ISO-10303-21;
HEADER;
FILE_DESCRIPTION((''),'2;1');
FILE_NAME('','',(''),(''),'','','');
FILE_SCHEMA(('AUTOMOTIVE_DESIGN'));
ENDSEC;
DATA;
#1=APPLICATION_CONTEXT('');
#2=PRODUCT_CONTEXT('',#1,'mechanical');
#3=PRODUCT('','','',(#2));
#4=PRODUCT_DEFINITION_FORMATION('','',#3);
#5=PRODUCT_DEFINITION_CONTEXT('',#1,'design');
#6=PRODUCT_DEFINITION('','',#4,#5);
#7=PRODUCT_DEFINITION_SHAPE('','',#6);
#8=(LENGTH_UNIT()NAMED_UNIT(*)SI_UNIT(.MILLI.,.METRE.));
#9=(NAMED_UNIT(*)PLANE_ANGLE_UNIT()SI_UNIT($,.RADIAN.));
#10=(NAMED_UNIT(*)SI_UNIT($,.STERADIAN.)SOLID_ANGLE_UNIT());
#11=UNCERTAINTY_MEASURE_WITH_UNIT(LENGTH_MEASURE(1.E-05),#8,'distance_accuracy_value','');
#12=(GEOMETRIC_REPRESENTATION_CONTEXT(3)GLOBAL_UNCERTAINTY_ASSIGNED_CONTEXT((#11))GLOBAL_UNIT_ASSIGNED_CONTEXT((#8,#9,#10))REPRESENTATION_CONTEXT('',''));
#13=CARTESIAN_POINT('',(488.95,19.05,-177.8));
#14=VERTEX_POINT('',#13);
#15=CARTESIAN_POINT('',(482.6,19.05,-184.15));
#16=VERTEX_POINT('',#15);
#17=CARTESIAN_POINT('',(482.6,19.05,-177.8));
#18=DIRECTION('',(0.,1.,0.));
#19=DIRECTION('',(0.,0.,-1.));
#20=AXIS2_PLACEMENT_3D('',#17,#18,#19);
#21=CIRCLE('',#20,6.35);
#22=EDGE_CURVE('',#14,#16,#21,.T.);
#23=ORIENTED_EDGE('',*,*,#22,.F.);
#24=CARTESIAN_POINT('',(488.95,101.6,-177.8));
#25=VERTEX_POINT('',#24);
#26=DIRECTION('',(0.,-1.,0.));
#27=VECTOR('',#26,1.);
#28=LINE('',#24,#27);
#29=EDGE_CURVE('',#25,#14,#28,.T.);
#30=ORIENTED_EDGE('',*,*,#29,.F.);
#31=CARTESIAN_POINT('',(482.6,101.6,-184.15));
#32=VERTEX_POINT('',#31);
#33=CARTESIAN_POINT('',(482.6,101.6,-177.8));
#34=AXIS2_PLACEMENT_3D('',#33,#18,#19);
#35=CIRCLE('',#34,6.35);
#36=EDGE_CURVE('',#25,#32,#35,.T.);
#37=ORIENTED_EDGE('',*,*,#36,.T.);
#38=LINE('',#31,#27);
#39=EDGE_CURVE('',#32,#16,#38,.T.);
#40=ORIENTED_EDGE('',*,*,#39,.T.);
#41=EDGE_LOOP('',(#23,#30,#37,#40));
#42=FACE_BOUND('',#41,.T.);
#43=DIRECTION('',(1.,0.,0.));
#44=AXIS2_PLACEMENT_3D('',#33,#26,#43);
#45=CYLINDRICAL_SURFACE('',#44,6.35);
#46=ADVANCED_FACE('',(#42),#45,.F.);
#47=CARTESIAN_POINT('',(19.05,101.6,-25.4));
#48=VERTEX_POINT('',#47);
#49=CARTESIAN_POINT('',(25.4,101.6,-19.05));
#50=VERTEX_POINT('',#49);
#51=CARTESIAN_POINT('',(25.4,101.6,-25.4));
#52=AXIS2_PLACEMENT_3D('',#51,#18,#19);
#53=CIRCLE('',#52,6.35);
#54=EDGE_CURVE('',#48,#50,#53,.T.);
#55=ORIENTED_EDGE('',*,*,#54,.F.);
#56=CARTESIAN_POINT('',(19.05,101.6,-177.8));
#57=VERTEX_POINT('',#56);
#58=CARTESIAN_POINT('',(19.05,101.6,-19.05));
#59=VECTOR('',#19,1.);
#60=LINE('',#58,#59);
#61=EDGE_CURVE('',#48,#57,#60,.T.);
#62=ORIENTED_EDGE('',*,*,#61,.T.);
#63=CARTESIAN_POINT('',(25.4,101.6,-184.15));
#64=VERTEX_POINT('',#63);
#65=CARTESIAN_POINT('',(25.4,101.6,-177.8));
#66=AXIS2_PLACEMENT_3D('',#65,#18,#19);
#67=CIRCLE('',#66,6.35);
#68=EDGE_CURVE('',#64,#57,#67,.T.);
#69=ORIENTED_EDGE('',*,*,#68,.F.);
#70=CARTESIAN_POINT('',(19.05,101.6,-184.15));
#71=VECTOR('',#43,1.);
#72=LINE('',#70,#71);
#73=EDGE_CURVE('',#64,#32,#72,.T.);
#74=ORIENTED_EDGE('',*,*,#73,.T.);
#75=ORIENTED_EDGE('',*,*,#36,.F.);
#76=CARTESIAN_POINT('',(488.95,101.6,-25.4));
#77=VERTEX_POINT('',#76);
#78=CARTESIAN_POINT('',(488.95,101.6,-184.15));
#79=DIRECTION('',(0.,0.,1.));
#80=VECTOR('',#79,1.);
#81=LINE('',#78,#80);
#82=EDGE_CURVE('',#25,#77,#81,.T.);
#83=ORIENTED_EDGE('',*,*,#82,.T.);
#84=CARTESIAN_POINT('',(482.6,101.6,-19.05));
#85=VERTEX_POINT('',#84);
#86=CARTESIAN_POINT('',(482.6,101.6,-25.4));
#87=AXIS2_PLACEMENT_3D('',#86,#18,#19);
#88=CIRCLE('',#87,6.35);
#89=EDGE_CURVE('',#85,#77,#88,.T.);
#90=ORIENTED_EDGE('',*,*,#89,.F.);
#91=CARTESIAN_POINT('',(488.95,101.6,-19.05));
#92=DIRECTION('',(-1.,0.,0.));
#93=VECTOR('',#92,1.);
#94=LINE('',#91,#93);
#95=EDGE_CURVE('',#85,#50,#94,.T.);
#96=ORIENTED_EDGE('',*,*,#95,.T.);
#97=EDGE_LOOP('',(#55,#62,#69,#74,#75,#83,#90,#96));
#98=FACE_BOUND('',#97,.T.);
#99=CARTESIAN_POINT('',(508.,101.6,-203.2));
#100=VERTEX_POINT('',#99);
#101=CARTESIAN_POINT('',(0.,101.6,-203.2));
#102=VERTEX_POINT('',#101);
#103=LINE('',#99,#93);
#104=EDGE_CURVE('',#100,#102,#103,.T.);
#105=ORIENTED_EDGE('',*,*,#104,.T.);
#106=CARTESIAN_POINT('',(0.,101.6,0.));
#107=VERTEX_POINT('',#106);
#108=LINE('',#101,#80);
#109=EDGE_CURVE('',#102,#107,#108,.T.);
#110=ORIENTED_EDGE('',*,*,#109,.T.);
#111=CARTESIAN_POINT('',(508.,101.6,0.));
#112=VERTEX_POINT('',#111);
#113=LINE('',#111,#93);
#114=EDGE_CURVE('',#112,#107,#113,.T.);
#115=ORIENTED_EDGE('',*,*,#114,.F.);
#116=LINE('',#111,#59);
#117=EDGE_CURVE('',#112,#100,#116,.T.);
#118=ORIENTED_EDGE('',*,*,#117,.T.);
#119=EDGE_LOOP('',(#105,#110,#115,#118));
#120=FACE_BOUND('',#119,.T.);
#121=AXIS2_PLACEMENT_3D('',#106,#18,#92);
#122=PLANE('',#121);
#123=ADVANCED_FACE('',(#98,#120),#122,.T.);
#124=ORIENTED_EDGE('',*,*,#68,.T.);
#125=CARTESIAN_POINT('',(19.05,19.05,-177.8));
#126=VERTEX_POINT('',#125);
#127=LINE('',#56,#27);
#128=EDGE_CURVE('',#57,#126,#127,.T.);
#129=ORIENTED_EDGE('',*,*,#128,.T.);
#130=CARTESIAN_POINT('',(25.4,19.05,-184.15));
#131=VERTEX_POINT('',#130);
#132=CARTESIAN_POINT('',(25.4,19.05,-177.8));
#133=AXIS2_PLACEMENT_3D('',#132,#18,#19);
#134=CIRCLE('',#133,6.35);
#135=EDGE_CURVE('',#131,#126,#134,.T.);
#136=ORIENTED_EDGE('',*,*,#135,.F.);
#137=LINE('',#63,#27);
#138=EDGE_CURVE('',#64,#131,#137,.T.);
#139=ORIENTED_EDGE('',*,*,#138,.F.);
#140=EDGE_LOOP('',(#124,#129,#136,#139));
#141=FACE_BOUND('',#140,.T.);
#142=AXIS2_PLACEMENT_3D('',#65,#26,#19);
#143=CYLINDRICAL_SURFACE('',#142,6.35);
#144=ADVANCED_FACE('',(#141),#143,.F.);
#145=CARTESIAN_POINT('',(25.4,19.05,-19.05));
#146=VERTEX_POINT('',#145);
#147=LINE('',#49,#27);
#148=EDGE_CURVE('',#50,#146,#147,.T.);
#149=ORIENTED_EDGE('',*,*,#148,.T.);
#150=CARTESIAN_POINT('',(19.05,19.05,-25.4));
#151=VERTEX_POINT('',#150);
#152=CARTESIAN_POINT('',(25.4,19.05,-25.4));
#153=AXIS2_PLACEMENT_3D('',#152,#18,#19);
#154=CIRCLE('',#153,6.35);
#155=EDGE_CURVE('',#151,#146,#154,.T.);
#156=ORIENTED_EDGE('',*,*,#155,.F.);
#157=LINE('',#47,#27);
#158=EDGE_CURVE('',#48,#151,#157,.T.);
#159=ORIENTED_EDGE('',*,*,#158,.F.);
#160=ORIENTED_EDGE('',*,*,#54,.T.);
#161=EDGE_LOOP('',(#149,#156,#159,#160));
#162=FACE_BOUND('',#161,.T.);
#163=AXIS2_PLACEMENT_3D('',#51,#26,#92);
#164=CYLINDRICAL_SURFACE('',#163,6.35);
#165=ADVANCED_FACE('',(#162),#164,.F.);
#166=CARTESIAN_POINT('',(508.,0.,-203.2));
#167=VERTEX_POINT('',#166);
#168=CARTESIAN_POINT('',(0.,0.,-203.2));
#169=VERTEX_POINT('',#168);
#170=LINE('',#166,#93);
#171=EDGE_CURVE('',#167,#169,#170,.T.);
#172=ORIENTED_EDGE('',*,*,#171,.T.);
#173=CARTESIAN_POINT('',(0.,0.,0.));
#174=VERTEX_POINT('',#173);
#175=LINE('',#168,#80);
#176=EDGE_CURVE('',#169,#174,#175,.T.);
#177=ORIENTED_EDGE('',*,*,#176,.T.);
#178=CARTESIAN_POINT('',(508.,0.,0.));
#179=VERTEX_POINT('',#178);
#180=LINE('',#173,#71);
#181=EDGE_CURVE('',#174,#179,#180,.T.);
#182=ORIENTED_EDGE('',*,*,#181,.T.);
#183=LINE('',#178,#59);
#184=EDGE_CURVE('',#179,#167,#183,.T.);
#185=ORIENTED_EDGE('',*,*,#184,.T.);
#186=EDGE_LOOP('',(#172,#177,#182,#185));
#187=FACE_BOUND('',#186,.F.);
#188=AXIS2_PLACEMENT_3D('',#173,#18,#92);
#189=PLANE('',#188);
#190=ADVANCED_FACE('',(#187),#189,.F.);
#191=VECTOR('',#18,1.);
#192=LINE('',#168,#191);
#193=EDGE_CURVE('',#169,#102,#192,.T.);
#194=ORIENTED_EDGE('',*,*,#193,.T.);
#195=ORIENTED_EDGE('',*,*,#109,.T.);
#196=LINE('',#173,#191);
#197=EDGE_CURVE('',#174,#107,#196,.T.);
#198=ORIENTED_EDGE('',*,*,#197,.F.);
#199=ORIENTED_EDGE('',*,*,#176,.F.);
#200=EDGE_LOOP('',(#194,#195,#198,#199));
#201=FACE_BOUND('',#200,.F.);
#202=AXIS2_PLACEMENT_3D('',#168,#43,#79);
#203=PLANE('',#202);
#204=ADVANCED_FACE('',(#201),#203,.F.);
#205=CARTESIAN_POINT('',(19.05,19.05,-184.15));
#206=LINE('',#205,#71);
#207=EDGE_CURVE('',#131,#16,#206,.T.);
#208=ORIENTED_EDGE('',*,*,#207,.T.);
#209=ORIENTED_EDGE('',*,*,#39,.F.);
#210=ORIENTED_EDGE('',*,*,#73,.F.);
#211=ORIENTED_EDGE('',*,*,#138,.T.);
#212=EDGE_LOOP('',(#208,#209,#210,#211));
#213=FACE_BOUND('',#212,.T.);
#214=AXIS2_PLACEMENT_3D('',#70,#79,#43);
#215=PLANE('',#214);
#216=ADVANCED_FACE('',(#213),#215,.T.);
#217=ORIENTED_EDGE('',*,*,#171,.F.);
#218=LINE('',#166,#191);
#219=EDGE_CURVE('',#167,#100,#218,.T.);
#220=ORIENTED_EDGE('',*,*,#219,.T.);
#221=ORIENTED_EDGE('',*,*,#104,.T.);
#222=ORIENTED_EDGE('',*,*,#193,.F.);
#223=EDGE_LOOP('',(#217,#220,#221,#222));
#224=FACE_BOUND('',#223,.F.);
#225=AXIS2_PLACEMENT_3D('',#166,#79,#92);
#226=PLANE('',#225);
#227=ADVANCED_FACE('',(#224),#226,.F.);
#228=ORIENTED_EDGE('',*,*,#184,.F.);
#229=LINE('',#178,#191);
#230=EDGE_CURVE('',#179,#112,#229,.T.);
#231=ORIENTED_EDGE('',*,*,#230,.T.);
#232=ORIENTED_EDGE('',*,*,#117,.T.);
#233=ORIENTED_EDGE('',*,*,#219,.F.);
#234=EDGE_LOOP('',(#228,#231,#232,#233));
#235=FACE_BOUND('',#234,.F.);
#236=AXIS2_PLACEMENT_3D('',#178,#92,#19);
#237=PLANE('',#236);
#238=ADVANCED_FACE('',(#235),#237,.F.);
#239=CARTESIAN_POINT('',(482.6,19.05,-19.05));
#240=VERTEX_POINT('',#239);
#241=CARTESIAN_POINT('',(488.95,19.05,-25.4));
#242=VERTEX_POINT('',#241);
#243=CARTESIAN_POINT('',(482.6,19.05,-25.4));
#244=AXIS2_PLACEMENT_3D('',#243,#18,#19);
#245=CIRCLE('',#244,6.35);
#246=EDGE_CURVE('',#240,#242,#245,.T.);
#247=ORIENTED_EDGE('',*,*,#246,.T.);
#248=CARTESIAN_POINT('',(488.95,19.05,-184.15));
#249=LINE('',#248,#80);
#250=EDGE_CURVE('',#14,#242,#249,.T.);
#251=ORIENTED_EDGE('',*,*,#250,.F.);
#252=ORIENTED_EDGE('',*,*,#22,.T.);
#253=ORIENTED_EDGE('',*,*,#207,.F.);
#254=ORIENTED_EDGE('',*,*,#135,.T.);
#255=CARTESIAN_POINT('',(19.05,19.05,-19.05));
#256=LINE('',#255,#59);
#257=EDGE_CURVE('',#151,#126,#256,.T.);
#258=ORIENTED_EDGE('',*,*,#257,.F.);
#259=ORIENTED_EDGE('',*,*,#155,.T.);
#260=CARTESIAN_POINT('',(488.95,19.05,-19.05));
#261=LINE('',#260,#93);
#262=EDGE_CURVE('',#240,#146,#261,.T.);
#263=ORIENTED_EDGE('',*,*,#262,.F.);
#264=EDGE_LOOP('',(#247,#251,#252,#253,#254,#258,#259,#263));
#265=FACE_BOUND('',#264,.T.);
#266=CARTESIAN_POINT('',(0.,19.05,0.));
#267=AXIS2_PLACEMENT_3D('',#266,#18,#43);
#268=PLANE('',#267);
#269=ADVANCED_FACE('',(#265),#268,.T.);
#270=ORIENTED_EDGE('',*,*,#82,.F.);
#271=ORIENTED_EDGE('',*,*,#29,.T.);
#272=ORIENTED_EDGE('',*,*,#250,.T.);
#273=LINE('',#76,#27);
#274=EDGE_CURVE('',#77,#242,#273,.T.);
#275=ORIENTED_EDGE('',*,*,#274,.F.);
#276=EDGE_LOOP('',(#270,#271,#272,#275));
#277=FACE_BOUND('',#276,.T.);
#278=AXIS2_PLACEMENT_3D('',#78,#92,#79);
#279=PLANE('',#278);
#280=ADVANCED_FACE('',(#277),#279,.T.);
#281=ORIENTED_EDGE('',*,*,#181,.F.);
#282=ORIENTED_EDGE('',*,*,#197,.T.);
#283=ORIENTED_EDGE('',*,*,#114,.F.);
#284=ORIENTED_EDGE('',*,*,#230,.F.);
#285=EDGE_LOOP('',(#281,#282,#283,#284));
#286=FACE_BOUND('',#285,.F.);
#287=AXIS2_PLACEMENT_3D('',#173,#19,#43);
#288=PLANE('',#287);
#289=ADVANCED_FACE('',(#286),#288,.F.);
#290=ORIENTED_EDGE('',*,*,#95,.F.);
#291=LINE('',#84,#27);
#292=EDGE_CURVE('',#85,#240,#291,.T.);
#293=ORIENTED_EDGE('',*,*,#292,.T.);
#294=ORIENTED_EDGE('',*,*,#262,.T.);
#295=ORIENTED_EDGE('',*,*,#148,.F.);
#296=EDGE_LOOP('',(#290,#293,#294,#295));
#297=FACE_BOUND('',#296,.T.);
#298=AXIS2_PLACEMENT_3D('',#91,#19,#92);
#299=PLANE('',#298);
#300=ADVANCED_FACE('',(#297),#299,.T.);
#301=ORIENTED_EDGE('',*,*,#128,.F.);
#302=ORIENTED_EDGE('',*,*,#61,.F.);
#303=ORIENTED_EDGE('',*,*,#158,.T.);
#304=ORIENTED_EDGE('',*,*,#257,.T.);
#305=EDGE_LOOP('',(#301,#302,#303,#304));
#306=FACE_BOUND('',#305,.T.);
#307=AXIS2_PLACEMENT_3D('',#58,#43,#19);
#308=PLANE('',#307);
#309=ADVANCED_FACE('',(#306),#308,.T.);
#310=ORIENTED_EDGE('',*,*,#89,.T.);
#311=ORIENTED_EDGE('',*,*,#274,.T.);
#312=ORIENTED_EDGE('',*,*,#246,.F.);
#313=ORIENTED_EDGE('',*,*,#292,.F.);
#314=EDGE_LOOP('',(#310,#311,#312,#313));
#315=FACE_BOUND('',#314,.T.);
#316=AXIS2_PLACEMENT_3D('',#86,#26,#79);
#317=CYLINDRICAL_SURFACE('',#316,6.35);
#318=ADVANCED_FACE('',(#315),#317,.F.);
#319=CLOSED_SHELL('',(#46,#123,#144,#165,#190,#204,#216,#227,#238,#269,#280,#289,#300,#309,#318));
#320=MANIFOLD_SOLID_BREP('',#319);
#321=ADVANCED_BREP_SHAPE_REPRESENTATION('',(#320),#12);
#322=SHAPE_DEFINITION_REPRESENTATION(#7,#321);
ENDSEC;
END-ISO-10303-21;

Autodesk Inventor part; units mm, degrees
ref_plane "YZ Plane" through (0, 0, 0) normal (1, 0, 0) x (0, 1, 0)
ref_plane "XZ Plane" through (0, 0, 0) normal (0, 1, 0) x (-1, 0, 0)
ref_plane "XY Plane" through (0, 0, 0) normal (0, 0, 1) x (1, 0, 0)
sketch "Sketch4" plane through (0, 0, 0) normal (0, 1, 0) x (-1, 0, 0)
  line L0 (0, 0) -> (-508, 0)
  line L1 (-508, 0) -> (-508, -203.2)
  line L2 (-508, -203.2) -> (0, -203.2)
  line L3 (0, -203.2) -> (0, 0)
  line L4 (0, 0) -> (-19.05, 0)
  dimension "d14" = 508
  dimension "d15" = 203.2
  dimension "d16" = 19.05
extrude "Extrusion3" add sketch "Sketch4" along normal blind 101.6
sketch "Sketch5" plane through (0, 101.6, 0) normal (0, 1, 0) x (1, 0, 0)
  line L0 (0, 0) -> (508, 0) projected
  line L1 (508, 203.2) -> (0, 203.2) projected
  line L2 (0, 0) -> (19.05, 0)
  line L3 (19.05, 19.05) -> (19.05, 184.15)
  line L4 (19.05, 184.15) -> (488.95, 184.15)
  line L5 (488.95, 184.15) -> (488.95, 19.05)
  line L6 (488.95, 19.05) -> (19.05, 19.05)
  dimension "d21" = 165.1
  dimension "d22" = 469.9
  dimension "d23" = 165.1
extrude "Extrusion4" cut sketch "Sketch5" against normal blind 82.55
fillet "Fillet5" radius 6.35 1 edges at (488.95, 60.325, -184.15)
fillet "Fillet6" radius 6.35 1 edges at (19.05, 60.325, -184.15)
fillet "Fillet7" radius 6.35 1 edges at (19.05, 60.325, -19.05)
fillet "Fillet8" radius 6.35 1 edges at (488.95, 60.325, -19.05)
properties part number "Box" material "Acetal Resin, Black"
